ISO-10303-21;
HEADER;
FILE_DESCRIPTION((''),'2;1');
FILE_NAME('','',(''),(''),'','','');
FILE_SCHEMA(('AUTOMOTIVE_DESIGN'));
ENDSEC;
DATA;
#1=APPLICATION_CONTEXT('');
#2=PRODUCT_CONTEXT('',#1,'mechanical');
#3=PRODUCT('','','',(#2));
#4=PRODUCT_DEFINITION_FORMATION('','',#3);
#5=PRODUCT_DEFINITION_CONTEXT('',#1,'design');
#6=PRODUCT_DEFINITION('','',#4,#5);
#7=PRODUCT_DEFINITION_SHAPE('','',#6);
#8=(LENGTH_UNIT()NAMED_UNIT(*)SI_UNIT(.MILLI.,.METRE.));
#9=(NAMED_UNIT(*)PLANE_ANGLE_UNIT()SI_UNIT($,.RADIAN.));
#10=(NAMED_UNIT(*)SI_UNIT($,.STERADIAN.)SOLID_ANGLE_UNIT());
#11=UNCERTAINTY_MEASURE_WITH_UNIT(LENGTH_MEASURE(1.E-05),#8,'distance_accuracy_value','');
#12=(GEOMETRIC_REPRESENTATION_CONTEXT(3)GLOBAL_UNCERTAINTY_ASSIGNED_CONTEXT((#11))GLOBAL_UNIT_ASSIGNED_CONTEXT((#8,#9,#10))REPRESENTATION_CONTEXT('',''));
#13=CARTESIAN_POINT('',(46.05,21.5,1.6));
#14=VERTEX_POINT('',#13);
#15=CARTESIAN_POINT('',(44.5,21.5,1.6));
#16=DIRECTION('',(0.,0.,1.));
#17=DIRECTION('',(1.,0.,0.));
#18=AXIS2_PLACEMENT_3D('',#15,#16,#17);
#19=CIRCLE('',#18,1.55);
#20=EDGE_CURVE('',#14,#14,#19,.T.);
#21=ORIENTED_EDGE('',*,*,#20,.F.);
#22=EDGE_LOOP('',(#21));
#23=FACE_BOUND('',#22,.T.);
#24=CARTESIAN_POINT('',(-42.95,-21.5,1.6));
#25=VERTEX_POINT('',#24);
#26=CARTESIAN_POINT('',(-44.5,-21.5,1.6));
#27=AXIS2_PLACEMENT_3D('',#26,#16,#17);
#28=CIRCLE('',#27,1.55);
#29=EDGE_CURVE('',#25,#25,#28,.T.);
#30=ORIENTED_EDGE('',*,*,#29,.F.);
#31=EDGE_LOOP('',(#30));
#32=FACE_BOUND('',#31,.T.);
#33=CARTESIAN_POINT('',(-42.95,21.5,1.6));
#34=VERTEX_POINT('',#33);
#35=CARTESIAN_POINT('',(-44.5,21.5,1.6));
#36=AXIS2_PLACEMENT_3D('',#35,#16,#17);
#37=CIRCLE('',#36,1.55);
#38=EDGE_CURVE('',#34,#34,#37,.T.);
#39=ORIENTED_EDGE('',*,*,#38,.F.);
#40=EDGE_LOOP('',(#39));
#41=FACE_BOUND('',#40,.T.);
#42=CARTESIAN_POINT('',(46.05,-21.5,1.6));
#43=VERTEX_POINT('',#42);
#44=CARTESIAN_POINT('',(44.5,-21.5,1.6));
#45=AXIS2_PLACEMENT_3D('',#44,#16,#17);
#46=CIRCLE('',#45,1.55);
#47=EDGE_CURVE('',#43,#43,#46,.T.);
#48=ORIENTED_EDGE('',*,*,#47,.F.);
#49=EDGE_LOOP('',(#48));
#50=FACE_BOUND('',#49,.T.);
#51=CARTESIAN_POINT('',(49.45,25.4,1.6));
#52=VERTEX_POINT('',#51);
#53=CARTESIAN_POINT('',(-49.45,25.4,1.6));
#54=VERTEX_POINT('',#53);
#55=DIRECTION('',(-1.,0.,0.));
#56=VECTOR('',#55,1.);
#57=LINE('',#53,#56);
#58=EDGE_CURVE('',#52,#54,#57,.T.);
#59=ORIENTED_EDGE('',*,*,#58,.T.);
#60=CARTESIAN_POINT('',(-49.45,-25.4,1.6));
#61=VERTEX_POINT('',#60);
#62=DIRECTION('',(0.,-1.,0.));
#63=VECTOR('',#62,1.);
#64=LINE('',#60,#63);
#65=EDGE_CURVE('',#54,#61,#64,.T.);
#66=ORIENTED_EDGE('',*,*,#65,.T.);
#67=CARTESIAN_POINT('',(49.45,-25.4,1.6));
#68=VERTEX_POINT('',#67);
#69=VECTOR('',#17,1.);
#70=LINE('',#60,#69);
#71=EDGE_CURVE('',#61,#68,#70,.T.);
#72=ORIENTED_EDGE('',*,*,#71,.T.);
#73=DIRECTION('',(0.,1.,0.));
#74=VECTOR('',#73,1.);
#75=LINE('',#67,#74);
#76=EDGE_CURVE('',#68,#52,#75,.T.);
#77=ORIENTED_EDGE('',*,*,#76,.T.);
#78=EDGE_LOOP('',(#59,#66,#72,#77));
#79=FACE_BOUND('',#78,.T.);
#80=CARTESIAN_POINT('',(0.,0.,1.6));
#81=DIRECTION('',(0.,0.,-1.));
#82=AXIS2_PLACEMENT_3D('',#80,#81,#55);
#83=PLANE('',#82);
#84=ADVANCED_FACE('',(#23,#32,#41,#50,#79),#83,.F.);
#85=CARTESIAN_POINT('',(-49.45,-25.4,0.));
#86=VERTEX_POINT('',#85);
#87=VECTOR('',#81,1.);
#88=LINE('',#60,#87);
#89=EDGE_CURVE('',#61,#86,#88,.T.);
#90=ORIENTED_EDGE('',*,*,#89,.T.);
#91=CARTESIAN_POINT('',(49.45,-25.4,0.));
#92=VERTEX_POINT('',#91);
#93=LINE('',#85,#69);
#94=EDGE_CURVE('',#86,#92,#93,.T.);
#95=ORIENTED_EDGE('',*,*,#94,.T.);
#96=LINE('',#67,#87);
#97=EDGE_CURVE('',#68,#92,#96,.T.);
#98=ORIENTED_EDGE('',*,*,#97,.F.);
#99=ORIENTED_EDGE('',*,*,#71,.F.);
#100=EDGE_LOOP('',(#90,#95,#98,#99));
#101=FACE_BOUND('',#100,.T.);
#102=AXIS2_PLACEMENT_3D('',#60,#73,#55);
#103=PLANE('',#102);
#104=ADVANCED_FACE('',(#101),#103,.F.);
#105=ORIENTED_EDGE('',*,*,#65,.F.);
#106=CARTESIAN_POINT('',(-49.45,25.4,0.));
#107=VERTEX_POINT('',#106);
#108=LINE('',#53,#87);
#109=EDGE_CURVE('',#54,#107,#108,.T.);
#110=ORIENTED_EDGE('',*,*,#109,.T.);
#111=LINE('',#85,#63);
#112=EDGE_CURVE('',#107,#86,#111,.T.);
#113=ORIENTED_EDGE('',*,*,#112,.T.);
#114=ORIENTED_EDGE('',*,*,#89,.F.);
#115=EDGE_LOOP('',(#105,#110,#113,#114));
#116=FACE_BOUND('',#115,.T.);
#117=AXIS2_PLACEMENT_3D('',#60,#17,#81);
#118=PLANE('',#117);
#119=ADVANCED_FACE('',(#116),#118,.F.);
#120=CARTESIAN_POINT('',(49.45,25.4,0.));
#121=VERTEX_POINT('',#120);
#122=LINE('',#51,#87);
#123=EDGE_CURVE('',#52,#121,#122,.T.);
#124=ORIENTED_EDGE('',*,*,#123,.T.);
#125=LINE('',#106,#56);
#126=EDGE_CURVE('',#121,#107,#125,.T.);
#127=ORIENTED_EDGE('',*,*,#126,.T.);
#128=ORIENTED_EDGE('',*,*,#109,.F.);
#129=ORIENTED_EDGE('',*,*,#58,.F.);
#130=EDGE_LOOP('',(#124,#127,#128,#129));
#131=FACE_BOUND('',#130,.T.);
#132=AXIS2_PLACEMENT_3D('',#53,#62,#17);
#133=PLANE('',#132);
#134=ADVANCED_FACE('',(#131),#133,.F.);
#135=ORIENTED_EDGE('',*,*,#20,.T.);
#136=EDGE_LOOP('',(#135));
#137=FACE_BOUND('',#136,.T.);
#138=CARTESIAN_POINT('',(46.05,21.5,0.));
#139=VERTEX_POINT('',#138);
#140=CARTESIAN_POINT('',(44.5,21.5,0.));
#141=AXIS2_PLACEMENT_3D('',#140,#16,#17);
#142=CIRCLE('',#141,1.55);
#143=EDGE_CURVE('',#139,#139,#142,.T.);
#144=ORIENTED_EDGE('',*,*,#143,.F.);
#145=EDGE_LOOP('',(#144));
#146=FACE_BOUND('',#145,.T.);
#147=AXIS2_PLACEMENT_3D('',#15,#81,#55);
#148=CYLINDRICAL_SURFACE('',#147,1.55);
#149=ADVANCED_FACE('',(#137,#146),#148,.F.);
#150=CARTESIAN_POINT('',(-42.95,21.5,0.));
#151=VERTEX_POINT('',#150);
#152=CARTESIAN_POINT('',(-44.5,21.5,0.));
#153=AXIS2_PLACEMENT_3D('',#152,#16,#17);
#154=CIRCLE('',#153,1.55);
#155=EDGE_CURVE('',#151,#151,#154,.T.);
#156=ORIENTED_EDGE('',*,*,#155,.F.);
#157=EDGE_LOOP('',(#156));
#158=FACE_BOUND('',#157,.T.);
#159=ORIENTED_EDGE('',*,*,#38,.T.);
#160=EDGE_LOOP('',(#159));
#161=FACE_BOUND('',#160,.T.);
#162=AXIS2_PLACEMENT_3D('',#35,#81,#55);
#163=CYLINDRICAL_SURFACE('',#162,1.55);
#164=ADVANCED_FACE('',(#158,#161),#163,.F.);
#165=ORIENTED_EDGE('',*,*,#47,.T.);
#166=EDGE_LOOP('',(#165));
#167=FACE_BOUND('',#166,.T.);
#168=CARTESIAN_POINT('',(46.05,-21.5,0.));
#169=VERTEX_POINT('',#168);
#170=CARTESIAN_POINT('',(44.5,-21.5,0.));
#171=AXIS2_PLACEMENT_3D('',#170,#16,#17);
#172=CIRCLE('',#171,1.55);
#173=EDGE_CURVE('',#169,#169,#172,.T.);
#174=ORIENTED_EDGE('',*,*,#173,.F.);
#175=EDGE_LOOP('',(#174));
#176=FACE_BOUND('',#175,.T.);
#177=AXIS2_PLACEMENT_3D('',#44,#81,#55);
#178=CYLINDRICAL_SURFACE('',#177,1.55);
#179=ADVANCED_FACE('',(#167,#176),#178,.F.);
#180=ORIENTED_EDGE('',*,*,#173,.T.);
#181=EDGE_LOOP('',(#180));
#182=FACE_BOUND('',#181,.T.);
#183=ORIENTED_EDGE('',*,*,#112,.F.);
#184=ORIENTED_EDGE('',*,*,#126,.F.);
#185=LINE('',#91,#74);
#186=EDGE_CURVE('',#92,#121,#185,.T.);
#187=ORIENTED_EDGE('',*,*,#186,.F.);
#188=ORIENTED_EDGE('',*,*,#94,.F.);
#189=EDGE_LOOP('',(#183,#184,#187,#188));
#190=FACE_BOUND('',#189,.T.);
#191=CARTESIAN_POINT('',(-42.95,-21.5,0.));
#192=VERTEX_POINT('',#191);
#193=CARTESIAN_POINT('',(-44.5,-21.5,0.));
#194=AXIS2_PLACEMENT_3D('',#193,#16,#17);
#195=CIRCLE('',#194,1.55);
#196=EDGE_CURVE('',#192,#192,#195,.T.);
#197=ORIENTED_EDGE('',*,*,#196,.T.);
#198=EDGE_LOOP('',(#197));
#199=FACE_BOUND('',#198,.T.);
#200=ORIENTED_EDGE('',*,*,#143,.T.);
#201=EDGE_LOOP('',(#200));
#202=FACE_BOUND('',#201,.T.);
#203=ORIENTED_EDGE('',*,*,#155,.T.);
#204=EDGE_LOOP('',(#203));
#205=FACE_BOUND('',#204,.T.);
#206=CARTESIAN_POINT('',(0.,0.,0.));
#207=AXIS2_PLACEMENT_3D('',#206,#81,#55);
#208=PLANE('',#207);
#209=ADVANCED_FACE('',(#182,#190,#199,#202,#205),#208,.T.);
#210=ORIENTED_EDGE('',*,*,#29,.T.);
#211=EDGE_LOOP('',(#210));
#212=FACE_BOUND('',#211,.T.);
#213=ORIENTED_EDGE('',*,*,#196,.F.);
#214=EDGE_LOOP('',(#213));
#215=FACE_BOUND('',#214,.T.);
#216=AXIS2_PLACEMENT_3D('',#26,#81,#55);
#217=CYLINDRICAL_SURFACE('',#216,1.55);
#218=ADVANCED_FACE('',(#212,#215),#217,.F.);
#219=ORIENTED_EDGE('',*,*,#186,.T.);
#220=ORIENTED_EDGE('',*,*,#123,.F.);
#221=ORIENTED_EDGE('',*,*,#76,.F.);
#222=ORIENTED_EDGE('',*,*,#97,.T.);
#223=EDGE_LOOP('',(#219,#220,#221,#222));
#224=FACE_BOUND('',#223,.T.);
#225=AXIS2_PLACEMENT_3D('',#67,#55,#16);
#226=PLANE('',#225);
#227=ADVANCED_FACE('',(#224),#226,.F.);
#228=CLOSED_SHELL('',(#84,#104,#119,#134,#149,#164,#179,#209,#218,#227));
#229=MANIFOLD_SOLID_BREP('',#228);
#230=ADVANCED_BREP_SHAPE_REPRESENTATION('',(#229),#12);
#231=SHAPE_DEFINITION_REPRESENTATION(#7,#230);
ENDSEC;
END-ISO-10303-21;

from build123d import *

# Parameters (mm, degrees)
SKETCH1_W           = 98.9
SKETCH1_H           = 50.8
SKETCH1_R           = 1.55
BOSS_EXTRUDE2_DEPTH = 1.6


with BuildPart() as part:
    # Sketch1 → Boss-Extrude2 (new body)
    with BuildSketch(Plane.XY):
        Rectangle(SKETCH1_W, SKETCH1_H)
        with Locations((-44.5, 21.5)):
            Circle(SKETCH1_R, mode=Mode.SUBTRACT)
        with Locations((44.5, 21.5)):
            Circle(SKETCH1_R, mode=Mode.SUBTRACT)
        with Locations((44.5, -21.5)):
            Circle(SKETCH1_R, mode=Mode.SUBTRACT)
        with Locations((-44.5, -21.5)):
            Circle(SKETCH1_R, mode=Mode.SUBTRACT)
    extrude(amount=BOSS_EXTRUDE2_DEPTH)


solid = part.part
